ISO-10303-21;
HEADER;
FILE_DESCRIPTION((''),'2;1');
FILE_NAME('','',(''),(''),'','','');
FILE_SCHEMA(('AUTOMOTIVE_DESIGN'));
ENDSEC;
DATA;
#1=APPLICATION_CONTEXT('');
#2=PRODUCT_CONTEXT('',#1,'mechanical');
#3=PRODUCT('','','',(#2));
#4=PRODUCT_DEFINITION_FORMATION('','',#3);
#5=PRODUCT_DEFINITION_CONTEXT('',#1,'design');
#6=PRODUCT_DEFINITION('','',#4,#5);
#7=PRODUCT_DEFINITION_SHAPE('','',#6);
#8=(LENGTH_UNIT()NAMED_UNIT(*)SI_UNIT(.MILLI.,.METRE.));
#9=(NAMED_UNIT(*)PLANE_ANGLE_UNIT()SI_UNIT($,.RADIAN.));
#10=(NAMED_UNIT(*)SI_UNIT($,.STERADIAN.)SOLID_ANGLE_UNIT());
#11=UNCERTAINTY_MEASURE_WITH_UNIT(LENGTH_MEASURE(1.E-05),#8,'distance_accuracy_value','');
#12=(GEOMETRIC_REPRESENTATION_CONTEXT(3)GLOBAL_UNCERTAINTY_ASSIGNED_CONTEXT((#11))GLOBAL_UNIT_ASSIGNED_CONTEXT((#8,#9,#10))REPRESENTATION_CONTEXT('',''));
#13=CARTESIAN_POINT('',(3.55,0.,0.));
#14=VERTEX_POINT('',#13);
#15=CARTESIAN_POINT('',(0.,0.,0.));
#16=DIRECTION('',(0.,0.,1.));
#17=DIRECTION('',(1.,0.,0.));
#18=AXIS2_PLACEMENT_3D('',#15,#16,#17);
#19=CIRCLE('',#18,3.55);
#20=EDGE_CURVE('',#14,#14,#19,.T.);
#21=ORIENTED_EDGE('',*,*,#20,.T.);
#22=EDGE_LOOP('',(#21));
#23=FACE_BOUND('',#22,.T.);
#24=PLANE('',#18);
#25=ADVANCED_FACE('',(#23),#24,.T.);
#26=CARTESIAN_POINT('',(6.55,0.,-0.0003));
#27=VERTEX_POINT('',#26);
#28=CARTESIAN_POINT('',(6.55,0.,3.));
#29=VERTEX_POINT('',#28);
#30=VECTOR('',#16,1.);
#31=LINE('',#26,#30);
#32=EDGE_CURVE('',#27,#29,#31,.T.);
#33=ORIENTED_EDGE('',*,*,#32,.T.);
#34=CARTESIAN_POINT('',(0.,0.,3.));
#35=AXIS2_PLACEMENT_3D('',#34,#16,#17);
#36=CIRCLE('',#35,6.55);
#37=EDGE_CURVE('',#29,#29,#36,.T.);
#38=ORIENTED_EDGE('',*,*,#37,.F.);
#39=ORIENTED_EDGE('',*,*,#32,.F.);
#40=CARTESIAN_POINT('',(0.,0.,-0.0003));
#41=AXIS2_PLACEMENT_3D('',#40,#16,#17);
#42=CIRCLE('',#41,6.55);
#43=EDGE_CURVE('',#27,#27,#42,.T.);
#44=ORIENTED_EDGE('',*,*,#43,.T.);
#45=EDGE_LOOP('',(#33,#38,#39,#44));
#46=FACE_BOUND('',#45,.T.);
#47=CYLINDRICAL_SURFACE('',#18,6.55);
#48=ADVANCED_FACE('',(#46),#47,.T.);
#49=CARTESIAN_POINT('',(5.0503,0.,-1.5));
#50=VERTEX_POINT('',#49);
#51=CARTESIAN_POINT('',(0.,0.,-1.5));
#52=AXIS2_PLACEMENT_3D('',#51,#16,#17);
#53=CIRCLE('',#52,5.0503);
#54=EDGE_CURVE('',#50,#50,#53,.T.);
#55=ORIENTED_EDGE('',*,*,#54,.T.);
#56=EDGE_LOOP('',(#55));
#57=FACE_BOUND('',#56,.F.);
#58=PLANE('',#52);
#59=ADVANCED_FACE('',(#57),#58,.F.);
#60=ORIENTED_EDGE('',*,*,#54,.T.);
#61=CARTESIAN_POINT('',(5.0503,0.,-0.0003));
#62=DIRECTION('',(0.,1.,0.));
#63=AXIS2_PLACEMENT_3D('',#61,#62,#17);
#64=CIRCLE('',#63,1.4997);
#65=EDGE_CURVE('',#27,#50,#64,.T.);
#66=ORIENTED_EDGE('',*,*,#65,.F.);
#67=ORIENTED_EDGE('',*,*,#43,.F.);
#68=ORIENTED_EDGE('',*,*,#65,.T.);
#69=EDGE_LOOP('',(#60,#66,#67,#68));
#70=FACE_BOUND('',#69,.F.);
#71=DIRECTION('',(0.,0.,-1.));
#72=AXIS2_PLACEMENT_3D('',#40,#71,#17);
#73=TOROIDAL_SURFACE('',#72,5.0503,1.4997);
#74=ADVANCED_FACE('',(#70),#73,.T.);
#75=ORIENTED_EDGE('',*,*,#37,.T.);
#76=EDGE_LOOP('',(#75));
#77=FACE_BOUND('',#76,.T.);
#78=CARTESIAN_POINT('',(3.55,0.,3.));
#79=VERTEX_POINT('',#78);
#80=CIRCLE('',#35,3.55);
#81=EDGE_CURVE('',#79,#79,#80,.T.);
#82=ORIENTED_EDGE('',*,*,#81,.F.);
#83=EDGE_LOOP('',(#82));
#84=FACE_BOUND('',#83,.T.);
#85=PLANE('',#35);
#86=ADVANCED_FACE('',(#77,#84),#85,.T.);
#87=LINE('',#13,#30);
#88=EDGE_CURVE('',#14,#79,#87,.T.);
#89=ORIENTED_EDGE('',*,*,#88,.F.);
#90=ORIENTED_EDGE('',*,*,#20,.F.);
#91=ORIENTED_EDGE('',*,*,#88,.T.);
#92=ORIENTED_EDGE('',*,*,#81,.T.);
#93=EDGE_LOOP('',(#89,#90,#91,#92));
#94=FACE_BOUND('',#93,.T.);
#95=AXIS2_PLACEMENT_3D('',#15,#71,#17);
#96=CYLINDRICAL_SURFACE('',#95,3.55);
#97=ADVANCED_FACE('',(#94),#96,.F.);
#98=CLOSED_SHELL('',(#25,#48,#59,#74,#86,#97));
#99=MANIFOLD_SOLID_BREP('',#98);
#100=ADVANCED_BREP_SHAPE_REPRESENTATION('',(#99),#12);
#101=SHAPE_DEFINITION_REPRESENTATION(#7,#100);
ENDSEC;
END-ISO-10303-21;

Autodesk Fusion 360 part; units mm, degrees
sketch "Sketch1" plane through (0, 0, 0) normal (0, 0, 1) x (1, 0, 0)
  circle A0 centre (0, 0) radius 3.55
  circle A1 centre (0, 0) radius 6.55
  dimension "d1" = 7.1
  dimension "d2" = 3
extrude "Extrude1" add sketch "Sketch1" along normal blind 3
extrude "Extrude3" add sketch "Sketch1" against normal blind 1.5 contours A0 | A1
fillet "Fillet1" radius 1.5 1 edges at (-6.1067, 2.3686, -1.5)
